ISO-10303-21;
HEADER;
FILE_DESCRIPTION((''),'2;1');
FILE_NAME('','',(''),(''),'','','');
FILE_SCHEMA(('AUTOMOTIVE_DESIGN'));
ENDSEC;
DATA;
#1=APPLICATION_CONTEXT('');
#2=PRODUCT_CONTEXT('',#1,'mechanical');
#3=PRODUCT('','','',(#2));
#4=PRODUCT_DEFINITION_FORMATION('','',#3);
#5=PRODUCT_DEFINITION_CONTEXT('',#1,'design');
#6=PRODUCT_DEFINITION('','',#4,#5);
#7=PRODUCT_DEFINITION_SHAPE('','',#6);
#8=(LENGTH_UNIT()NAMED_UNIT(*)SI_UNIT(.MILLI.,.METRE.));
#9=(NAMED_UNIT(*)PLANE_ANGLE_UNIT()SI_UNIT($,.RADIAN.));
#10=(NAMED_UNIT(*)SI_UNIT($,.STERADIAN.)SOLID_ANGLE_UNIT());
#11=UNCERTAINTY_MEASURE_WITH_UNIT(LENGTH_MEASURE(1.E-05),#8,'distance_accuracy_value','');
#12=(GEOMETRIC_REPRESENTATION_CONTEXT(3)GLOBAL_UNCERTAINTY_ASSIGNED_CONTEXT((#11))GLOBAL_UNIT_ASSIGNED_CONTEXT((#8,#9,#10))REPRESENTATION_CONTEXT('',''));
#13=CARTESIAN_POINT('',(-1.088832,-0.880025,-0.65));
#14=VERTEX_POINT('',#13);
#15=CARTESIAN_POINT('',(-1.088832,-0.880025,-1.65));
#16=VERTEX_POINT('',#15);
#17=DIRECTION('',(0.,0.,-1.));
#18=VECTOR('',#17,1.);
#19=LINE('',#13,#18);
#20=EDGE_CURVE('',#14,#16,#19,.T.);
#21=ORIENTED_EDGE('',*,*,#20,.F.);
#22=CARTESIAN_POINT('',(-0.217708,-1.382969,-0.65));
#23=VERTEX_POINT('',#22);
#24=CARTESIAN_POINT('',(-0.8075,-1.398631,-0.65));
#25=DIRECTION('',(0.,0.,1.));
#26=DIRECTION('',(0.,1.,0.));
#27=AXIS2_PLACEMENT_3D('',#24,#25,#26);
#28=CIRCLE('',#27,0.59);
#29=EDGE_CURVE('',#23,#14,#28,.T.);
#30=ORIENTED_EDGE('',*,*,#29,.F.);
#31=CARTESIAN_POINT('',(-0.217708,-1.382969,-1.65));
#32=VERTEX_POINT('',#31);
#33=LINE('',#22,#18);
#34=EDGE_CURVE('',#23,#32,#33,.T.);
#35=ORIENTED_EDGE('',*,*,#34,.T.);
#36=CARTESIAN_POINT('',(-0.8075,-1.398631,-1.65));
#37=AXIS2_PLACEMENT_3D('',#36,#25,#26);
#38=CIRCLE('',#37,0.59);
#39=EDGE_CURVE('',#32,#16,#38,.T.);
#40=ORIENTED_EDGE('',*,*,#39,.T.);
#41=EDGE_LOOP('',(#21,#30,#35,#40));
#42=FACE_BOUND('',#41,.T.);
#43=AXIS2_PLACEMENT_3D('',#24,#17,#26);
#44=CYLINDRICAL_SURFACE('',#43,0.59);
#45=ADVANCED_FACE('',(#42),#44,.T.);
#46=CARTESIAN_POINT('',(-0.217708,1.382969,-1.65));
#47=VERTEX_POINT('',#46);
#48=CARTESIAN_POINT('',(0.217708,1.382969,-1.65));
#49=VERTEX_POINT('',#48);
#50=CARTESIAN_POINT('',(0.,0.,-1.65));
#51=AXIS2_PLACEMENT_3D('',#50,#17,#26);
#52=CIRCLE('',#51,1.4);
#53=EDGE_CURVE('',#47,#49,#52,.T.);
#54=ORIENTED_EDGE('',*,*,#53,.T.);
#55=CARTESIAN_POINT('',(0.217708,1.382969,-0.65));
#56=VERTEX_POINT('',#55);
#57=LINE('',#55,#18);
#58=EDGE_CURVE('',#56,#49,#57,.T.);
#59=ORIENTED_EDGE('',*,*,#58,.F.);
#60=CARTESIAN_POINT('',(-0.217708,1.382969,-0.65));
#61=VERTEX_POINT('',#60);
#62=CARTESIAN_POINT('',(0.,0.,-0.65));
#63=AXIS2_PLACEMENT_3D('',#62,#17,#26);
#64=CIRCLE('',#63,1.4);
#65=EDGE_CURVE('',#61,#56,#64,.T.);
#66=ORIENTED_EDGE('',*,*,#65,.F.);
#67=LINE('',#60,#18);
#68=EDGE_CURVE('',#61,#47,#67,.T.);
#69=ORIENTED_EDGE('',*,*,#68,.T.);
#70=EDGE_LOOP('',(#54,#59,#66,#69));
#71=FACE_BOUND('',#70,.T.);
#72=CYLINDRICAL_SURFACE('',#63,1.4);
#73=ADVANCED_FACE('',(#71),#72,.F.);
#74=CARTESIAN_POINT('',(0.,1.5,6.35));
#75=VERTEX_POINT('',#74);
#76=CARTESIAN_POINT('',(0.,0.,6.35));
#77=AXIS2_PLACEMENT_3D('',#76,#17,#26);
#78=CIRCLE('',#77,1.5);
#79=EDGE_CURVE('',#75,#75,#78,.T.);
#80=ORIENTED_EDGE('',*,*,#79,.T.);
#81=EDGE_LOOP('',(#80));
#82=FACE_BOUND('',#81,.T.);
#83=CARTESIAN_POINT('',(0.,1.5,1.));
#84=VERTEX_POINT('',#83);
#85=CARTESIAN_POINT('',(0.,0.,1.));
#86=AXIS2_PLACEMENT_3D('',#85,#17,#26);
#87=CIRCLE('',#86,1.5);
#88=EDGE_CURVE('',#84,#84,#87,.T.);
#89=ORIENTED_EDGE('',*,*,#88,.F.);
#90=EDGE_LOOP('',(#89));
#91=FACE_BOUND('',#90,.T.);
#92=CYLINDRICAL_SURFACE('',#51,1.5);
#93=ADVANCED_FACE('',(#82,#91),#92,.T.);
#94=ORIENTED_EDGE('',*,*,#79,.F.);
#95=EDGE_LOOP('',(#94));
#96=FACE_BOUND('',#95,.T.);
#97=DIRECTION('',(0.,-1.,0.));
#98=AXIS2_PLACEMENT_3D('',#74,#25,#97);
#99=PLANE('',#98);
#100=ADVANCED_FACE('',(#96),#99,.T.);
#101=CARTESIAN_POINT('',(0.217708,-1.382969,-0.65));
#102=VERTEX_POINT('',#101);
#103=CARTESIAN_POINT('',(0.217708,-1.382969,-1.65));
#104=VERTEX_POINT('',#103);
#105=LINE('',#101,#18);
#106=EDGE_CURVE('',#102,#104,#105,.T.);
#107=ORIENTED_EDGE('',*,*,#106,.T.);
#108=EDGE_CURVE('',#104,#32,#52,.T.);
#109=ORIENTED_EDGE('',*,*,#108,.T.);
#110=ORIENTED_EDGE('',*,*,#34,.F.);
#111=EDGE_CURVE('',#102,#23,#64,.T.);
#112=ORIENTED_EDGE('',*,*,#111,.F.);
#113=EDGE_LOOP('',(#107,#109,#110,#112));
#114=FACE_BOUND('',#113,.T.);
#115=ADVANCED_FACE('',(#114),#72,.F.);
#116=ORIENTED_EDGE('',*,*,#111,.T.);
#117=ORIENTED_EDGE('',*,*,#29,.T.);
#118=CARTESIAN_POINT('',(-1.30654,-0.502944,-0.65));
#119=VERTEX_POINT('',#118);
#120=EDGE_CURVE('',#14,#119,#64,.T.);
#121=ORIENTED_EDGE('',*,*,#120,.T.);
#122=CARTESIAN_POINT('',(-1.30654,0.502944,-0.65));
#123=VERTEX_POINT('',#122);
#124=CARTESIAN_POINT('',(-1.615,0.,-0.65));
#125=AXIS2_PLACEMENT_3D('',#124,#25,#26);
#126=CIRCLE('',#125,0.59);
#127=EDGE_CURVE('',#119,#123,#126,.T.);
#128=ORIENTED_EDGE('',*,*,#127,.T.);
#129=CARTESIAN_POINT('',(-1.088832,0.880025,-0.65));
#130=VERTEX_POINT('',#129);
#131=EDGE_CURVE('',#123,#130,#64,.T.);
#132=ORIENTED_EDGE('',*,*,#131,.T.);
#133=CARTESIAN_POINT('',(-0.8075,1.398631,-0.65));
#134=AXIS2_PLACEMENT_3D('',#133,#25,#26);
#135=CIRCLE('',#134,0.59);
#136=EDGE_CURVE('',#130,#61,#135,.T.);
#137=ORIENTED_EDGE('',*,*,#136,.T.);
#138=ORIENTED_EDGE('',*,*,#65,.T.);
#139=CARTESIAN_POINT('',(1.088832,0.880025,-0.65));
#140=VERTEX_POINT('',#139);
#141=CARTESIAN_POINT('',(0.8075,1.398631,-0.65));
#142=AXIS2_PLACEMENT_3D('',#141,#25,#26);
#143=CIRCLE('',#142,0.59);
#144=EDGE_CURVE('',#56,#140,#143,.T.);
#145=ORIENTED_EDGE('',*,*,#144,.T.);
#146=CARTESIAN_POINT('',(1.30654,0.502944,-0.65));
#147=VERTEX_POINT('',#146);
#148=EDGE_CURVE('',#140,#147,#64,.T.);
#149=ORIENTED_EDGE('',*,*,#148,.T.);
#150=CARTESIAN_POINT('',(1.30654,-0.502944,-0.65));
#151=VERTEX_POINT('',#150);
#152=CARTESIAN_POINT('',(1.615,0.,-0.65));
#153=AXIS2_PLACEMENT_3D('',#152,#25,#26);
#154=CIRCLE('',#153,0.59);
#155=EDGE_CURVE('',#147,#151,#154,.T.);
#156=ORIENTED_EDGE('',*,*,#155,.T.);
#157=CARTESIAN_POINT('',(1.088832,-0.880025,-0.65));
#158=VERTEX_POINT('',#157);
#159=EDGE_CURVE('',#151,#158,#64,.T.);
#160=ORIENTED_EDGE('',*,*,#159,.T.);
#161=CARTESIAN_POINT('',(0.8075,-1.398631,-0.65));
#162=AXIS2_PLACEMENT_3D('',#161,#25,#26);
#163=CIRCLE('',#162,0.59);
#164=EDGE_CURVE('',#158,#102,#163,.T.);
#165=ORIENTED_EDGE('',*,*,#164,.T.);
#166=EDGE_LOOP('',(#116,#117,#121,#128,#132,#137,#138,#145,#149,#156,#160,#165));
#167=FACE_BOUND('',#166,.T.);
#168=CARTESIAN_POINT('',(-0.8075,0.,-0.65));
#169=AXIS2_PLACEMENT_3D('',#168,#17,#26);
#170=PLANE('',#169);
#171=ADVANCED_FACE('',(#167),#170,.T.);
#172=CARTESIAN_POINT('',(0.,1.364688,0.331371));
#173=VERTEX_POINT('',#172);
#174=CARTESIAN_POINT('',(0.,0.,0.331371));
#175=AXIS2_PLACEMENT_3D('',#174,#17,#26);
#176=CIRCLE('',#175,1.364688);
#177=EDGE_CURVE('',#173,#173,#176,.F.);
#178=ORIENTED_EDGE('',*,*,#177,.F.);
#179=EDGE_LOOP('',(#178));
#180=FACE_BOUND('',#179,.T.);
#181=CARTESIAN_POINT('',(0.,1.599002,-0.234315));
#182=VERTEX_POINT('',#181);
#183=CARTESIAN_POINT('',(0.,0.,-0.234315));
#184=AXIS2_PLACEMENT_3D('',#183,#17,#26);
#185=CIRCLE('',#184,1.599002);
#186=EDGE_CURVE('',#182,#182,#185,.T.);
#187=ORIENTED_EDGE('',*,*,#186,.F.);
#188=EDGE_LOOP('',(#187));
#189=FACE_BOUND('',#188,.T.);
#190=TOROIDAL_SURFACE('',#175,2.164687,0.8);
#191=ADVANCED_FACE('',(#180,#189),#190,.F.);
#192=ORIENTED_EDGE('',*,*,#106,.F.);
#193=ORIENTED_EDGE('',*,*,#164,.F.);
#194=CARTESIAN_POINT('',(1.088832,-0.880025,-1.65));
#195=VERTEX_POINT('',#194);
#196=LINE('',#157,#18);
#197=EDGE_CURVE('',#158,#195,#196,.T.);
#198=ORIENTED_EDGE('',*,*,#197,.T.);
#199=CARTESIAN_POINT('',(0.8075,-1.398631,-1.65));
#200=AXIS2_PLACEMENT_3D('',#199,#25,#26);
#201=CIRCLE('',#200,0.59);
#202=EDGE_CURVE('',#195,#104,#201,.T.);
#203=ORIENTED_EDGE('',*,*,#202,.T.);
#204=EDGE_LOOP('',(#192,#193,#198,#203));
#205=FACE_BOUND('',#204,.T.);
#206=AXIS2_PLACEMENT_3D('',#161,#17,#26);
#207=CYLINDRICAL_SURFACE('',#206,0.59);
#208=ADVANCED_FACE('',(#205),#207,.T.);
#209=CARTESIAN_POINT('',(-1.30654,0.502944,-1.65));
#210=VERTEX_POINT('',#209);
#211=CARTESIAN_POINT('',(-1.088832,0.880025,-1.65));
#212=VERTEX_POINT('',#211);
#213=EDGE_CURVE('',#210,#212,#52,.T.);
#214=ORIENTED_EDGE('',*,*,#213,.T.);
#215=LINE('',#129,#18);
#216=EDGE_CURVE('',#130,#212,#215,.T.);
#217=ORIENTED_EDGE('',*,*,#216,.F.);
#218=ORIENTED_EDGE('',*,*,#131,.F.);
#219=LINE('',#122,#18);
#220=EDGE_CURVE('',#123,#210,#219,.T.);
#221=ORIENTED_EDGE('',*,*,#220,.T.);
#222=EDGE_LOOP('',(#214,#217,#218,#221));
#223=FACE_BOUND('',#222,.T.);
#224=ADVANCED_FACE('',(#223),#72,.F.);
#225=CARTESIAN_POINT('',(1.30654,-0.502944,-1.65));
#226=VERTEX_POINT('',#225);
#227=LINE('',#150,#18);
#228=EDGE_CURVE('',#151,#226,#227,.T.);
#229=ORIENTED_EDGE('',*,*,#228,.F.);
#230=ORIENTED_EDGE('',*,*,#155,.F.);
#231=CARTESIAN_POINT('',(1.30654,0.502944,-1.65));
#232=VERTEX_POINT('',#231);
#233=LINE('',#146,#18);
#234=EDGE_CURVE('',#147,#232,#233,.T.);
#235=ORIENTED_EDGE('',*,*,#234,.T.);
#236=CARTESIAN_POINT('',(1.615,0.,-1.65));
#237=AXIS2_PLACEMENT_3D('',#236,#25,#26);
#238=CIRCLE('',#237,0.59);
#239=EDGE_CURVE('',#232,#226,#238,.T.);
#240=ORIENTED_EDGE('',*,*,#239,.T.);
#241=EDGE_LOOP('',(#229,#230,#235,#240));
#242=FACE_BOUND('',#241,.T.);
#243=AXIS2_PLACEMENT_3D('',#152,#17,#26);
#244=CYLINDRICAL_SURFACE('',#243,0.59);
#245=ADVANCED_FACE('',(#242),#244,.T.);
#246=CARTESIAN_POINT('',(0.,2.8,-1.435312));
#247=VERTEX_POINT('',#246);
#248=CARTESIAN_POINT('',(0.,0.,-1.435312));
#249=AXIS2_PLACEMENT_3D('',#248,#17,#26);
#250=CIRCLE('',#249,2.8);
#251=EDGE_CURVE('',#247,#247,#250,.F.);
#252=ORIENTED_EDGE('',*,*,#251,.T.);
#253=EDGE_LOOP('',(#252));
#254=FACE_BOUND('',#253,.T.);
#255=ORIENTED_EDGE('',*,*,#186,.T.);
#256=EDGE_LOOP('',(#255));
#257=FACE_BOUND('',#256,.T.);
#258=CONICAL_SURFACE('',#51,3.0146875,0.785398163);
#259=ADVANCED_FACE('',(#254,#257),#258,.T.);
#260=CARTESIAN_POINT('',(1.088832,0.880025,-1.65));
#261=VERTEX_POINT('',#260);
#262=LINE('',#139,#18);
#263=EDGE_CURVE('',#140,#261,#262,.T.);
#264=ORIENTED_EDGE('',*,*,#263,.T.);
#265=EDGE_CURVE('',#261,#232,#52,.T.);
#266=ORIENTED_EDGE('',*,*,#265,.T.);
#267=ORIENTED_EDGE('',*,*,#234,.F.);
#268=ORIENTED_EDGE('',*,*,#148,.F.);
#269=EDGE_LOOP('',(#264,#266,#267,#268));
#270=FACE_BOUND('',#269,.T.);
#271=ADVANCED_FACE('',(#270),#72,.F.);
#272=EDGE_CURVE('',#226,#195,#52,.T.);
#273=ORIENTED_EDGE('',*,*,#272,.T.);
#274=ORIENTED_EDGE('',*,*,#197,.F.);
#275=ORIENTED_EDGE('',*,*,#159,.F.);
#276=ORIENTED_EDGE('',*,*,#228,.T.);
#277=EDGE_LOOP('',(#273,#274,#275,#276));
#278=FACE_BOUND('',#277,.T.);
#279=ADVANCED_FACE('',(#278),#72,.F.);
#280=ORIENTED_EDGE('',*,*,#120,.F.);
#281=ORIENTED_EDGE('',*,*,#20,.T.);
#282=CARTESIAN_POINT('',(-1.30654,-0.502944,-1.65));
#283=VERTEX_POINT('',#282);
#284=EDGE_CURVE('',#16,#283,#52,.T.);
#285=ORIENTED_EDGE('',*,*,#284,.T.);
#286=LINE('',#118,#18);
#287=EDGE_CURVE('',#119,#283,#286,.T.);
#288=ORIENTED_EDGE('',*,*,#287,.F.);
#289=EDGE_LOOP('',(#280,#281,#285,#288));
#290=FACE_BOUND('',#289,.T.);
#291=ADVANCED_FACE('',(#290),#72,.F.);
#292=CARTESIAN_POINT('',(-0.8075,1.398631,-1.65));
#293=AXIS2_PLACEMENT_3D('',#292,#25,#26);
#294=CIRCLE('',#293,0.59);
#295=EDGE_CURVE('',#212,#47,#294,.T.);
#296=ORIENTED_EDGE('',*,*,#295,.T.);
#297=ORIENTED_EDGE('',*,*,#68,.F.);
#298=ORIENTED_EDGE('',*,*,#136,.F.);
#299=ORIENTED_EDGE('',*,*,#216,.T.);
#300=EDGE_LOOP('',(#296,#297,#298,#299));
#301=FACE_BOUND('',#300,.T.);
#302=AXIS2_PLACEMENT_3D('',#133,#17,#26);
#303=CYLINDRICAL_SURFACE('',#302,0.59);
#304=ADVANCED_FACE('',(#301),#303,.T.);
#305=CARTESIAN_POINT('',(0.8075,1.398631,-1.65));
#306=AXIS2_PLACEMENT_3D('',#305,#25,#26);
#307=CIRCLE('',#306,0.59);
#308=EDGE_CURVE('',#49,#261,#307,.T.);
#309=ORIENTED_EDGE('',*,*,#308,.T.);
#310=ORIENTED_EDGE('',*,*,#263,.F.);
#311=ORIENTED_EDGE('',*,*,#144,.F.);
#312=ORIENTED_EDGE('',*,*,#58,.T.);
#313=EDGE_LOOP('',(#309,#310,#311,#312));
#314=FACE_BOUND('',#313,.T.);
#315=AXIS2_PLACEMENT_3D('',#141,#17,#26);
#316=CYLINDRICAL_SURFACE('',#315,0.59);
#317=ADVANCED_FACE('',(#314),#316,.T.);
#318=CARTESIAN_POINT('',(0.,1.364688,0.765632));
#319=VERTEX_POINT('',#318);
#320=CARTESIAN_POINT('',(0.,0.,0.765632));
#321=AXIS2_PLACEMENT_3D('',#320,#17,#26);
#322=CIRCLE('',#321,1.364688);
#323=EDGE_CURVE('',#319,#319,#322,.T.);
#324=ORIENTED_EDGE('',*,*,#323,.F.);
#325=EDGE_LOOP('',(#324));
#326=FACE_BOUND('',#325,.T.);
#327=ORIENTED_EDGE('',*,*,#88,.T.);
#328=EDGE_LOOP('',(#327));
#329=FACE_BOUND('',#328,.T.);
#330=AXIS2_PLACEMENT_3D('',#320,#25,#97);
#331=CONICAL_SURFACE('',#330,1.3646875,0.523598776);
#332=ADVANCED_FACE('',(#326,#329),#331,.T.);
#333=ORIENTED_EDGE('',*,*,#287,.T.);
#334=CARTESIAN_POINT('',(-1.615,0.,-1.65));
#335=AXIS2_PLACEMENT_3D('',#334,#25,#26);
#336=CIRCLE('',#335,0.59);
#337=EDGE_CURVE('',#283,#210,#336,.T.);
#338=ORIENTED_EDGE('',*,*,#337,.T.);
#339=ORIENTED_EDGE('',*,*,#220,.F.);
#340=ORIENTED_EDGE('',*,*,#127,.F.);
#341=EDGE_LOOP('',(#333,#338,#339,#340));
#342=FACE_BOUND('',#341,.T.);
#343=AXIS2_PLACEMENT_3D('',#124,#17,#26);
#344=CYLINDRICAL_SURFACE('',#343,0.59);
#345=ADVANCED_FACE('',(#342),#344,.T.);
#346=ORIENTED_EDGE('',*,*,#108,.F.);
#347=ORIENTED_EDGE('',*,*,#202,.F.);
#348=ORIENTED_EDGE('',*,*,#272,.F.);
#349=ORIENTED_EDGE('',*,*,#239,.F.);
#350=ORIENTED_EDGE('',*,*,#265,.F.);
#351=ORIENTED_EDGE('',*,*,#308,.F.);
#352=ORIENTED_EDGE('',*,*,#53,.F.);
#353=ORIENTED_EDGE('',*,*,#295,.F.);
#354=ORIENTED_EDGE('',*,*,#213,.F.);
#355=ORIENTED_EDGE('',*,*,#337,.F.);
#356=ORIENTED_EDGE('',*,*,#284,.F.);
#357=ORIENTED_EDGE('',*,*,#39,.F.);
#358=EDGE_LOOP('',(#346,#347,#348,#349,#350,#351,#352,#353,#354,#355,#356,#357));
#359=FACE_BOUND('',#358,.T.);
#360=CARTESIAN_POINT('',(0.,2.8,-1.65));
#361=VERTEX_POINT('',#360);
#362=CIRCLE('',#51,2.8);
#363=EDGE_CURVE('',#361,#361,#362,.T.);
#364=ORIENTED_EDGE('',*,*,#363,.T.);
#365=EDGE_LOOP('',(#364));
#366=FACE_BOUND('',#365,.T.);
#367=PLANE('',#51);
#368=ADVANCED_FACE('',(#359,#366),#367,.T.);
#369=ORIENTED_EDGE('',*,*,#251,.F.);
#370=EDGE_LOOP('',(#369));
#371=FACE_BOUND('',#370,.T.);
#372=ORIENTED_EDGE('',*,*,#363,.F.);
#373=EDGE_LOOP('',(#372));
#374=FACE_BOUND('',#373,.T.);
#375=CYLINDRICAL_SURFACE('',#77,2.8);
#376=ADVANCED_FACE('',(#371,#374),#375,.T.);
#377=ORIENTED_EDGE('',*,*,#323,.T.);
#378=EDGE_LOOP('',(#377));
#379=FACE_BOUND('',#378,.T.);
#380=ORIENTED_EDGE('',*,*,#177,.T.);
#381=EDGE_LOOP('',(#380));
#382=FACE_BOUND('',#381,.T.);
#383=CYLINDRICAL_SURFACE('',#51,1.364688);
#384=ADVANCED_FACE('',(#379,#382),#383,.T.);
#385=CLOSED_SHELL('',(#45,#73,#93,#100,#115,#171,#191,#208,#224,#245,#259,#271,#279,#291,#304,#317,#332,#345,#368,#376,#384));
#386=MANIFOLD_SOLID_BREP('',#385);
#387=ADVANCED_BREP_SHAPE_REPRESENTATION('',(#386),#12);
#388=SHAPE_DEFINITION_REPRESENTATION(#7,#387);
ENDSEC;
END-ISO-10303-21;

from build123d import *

# Parameters (mm, degrees)
SKETCH2_OUTSIDE_W       = 10.368
SKETCH2_OUTSIDE_H       = 10.368
SKETCH2_OUTSIDE_R       = 2.8
CUT_EXTRUDE1_DEPTH      = 10.06513549
FILLET1_R               = 0.8
ENL_V_MAT_EXTRU_1_DEPTH = 1


with BuildPart() as part:
    # Sketch1 → Base-Revolve (revolve)
    with BuildSketch(Plane(origin=(0, 0, 0), x_dir=(0, 0, -1), z_dir=(1, 0, 0))):
        Polygon((1.65, 0), (1.65, 3.0146875), (0, 1.3646875), (-0.765631875, 1.3646875), (-1, 1.5), (-6.35, 1.5), (-6.35, 0), align=None)
    revolve(axis=Axis((0, 0, -1.65), (0, 0, 1)))

    # Sketch2 outside → Cut-Extrude1 (cut, through all)
    with BuildSketch(Plane(origin=(0, 0, -1.65), x_dir=(-1, 0, 0), z_dir=(0, 0, -1))):
        Rectangle(SKETCH2_OUTSIDE_W, SKETCH2_OUTSIDE_H)
        with Locations(Location((0, 0, 0), (0, 0, 90))):
            Circle(SKETCH2_OUTSIDE_R, mode=Mode.SUBTRACT)
    extrude(amount=-CUT_EXTRUDE1_DEPTH, mode=Mode.SUBTRACT)

    # Fillet1
    fillet1_edges = [part.edges().sort_by_distance(p)[0] for p in [
        (0, -1.3646875, 0),
    ]]
    fillet(fillet1_edges, radius=FILLET1_R)

    # Esquisse1 → Enlèv. mat.-Extru.1 (cut)
    with BuildSketch(Plane(origin=(0, 0, -1.65), x_dir=(-1, 0, 0), z_dir=(0, 0, -1))):
        with BuildLine():
            ThreePointArc((1.088832331, -0.880025088), (1.212435565, -0.7), (1.306540248, -0.502943915))
            ThreePointArc((1.306540248, -0.502943915), (1.025, 0), (1.306540248, 0.502943915))
            ThreePointArc((1.306540248, 0.502943915), (1.212435565, 0.7), (1.088832331, 0.880025088))
            ThreePointArc((1.088832331, 0.880025088), (0.5125, 0.887676039), (0.217707917, 1.382969003))
            ThreePointArc((0.217707917, 1.382969003), (0, 1.4), (-0.217707917, 1.382969003))
            ThreePointArc((-0.217707917, 1.382969003), (-0.5125, 0.887676039), (-1.088832331, 0.880025088))
            ThreePointArc((-1.088832331, 0.880025088), (-1.212435565, 0.7), (-1.306540248, 0.502943915))
            ThreePointArc((-1.306540248, 0.502943915), (-1.025, 0), (-1.306540248, -0.502943915))
            ThreePointArc((-1.306540248, -0.502943915), (-1.212435565, -0.7), (-1.088832331, -0.880025088))
            ThreePointArc((-1.088832331, -0.880025088), (-0.5125, -0.887676039), (-0.217707917, -1.382969003))
            ThreePointArc((-0.217707917, -1.382969003), (0, -1.4), (0.217707917, -1.382969003))
            ThreePointArc((0.217707917, -1.382969003), (0.5125, -0.887676039), (1.088832331, -0.880025088))
        make_face()
    extrude(amount=-ENL_V_MAT_EXTRU_1_DEPTH, mode=Mode.SUBTRACT)


solid = part.part
